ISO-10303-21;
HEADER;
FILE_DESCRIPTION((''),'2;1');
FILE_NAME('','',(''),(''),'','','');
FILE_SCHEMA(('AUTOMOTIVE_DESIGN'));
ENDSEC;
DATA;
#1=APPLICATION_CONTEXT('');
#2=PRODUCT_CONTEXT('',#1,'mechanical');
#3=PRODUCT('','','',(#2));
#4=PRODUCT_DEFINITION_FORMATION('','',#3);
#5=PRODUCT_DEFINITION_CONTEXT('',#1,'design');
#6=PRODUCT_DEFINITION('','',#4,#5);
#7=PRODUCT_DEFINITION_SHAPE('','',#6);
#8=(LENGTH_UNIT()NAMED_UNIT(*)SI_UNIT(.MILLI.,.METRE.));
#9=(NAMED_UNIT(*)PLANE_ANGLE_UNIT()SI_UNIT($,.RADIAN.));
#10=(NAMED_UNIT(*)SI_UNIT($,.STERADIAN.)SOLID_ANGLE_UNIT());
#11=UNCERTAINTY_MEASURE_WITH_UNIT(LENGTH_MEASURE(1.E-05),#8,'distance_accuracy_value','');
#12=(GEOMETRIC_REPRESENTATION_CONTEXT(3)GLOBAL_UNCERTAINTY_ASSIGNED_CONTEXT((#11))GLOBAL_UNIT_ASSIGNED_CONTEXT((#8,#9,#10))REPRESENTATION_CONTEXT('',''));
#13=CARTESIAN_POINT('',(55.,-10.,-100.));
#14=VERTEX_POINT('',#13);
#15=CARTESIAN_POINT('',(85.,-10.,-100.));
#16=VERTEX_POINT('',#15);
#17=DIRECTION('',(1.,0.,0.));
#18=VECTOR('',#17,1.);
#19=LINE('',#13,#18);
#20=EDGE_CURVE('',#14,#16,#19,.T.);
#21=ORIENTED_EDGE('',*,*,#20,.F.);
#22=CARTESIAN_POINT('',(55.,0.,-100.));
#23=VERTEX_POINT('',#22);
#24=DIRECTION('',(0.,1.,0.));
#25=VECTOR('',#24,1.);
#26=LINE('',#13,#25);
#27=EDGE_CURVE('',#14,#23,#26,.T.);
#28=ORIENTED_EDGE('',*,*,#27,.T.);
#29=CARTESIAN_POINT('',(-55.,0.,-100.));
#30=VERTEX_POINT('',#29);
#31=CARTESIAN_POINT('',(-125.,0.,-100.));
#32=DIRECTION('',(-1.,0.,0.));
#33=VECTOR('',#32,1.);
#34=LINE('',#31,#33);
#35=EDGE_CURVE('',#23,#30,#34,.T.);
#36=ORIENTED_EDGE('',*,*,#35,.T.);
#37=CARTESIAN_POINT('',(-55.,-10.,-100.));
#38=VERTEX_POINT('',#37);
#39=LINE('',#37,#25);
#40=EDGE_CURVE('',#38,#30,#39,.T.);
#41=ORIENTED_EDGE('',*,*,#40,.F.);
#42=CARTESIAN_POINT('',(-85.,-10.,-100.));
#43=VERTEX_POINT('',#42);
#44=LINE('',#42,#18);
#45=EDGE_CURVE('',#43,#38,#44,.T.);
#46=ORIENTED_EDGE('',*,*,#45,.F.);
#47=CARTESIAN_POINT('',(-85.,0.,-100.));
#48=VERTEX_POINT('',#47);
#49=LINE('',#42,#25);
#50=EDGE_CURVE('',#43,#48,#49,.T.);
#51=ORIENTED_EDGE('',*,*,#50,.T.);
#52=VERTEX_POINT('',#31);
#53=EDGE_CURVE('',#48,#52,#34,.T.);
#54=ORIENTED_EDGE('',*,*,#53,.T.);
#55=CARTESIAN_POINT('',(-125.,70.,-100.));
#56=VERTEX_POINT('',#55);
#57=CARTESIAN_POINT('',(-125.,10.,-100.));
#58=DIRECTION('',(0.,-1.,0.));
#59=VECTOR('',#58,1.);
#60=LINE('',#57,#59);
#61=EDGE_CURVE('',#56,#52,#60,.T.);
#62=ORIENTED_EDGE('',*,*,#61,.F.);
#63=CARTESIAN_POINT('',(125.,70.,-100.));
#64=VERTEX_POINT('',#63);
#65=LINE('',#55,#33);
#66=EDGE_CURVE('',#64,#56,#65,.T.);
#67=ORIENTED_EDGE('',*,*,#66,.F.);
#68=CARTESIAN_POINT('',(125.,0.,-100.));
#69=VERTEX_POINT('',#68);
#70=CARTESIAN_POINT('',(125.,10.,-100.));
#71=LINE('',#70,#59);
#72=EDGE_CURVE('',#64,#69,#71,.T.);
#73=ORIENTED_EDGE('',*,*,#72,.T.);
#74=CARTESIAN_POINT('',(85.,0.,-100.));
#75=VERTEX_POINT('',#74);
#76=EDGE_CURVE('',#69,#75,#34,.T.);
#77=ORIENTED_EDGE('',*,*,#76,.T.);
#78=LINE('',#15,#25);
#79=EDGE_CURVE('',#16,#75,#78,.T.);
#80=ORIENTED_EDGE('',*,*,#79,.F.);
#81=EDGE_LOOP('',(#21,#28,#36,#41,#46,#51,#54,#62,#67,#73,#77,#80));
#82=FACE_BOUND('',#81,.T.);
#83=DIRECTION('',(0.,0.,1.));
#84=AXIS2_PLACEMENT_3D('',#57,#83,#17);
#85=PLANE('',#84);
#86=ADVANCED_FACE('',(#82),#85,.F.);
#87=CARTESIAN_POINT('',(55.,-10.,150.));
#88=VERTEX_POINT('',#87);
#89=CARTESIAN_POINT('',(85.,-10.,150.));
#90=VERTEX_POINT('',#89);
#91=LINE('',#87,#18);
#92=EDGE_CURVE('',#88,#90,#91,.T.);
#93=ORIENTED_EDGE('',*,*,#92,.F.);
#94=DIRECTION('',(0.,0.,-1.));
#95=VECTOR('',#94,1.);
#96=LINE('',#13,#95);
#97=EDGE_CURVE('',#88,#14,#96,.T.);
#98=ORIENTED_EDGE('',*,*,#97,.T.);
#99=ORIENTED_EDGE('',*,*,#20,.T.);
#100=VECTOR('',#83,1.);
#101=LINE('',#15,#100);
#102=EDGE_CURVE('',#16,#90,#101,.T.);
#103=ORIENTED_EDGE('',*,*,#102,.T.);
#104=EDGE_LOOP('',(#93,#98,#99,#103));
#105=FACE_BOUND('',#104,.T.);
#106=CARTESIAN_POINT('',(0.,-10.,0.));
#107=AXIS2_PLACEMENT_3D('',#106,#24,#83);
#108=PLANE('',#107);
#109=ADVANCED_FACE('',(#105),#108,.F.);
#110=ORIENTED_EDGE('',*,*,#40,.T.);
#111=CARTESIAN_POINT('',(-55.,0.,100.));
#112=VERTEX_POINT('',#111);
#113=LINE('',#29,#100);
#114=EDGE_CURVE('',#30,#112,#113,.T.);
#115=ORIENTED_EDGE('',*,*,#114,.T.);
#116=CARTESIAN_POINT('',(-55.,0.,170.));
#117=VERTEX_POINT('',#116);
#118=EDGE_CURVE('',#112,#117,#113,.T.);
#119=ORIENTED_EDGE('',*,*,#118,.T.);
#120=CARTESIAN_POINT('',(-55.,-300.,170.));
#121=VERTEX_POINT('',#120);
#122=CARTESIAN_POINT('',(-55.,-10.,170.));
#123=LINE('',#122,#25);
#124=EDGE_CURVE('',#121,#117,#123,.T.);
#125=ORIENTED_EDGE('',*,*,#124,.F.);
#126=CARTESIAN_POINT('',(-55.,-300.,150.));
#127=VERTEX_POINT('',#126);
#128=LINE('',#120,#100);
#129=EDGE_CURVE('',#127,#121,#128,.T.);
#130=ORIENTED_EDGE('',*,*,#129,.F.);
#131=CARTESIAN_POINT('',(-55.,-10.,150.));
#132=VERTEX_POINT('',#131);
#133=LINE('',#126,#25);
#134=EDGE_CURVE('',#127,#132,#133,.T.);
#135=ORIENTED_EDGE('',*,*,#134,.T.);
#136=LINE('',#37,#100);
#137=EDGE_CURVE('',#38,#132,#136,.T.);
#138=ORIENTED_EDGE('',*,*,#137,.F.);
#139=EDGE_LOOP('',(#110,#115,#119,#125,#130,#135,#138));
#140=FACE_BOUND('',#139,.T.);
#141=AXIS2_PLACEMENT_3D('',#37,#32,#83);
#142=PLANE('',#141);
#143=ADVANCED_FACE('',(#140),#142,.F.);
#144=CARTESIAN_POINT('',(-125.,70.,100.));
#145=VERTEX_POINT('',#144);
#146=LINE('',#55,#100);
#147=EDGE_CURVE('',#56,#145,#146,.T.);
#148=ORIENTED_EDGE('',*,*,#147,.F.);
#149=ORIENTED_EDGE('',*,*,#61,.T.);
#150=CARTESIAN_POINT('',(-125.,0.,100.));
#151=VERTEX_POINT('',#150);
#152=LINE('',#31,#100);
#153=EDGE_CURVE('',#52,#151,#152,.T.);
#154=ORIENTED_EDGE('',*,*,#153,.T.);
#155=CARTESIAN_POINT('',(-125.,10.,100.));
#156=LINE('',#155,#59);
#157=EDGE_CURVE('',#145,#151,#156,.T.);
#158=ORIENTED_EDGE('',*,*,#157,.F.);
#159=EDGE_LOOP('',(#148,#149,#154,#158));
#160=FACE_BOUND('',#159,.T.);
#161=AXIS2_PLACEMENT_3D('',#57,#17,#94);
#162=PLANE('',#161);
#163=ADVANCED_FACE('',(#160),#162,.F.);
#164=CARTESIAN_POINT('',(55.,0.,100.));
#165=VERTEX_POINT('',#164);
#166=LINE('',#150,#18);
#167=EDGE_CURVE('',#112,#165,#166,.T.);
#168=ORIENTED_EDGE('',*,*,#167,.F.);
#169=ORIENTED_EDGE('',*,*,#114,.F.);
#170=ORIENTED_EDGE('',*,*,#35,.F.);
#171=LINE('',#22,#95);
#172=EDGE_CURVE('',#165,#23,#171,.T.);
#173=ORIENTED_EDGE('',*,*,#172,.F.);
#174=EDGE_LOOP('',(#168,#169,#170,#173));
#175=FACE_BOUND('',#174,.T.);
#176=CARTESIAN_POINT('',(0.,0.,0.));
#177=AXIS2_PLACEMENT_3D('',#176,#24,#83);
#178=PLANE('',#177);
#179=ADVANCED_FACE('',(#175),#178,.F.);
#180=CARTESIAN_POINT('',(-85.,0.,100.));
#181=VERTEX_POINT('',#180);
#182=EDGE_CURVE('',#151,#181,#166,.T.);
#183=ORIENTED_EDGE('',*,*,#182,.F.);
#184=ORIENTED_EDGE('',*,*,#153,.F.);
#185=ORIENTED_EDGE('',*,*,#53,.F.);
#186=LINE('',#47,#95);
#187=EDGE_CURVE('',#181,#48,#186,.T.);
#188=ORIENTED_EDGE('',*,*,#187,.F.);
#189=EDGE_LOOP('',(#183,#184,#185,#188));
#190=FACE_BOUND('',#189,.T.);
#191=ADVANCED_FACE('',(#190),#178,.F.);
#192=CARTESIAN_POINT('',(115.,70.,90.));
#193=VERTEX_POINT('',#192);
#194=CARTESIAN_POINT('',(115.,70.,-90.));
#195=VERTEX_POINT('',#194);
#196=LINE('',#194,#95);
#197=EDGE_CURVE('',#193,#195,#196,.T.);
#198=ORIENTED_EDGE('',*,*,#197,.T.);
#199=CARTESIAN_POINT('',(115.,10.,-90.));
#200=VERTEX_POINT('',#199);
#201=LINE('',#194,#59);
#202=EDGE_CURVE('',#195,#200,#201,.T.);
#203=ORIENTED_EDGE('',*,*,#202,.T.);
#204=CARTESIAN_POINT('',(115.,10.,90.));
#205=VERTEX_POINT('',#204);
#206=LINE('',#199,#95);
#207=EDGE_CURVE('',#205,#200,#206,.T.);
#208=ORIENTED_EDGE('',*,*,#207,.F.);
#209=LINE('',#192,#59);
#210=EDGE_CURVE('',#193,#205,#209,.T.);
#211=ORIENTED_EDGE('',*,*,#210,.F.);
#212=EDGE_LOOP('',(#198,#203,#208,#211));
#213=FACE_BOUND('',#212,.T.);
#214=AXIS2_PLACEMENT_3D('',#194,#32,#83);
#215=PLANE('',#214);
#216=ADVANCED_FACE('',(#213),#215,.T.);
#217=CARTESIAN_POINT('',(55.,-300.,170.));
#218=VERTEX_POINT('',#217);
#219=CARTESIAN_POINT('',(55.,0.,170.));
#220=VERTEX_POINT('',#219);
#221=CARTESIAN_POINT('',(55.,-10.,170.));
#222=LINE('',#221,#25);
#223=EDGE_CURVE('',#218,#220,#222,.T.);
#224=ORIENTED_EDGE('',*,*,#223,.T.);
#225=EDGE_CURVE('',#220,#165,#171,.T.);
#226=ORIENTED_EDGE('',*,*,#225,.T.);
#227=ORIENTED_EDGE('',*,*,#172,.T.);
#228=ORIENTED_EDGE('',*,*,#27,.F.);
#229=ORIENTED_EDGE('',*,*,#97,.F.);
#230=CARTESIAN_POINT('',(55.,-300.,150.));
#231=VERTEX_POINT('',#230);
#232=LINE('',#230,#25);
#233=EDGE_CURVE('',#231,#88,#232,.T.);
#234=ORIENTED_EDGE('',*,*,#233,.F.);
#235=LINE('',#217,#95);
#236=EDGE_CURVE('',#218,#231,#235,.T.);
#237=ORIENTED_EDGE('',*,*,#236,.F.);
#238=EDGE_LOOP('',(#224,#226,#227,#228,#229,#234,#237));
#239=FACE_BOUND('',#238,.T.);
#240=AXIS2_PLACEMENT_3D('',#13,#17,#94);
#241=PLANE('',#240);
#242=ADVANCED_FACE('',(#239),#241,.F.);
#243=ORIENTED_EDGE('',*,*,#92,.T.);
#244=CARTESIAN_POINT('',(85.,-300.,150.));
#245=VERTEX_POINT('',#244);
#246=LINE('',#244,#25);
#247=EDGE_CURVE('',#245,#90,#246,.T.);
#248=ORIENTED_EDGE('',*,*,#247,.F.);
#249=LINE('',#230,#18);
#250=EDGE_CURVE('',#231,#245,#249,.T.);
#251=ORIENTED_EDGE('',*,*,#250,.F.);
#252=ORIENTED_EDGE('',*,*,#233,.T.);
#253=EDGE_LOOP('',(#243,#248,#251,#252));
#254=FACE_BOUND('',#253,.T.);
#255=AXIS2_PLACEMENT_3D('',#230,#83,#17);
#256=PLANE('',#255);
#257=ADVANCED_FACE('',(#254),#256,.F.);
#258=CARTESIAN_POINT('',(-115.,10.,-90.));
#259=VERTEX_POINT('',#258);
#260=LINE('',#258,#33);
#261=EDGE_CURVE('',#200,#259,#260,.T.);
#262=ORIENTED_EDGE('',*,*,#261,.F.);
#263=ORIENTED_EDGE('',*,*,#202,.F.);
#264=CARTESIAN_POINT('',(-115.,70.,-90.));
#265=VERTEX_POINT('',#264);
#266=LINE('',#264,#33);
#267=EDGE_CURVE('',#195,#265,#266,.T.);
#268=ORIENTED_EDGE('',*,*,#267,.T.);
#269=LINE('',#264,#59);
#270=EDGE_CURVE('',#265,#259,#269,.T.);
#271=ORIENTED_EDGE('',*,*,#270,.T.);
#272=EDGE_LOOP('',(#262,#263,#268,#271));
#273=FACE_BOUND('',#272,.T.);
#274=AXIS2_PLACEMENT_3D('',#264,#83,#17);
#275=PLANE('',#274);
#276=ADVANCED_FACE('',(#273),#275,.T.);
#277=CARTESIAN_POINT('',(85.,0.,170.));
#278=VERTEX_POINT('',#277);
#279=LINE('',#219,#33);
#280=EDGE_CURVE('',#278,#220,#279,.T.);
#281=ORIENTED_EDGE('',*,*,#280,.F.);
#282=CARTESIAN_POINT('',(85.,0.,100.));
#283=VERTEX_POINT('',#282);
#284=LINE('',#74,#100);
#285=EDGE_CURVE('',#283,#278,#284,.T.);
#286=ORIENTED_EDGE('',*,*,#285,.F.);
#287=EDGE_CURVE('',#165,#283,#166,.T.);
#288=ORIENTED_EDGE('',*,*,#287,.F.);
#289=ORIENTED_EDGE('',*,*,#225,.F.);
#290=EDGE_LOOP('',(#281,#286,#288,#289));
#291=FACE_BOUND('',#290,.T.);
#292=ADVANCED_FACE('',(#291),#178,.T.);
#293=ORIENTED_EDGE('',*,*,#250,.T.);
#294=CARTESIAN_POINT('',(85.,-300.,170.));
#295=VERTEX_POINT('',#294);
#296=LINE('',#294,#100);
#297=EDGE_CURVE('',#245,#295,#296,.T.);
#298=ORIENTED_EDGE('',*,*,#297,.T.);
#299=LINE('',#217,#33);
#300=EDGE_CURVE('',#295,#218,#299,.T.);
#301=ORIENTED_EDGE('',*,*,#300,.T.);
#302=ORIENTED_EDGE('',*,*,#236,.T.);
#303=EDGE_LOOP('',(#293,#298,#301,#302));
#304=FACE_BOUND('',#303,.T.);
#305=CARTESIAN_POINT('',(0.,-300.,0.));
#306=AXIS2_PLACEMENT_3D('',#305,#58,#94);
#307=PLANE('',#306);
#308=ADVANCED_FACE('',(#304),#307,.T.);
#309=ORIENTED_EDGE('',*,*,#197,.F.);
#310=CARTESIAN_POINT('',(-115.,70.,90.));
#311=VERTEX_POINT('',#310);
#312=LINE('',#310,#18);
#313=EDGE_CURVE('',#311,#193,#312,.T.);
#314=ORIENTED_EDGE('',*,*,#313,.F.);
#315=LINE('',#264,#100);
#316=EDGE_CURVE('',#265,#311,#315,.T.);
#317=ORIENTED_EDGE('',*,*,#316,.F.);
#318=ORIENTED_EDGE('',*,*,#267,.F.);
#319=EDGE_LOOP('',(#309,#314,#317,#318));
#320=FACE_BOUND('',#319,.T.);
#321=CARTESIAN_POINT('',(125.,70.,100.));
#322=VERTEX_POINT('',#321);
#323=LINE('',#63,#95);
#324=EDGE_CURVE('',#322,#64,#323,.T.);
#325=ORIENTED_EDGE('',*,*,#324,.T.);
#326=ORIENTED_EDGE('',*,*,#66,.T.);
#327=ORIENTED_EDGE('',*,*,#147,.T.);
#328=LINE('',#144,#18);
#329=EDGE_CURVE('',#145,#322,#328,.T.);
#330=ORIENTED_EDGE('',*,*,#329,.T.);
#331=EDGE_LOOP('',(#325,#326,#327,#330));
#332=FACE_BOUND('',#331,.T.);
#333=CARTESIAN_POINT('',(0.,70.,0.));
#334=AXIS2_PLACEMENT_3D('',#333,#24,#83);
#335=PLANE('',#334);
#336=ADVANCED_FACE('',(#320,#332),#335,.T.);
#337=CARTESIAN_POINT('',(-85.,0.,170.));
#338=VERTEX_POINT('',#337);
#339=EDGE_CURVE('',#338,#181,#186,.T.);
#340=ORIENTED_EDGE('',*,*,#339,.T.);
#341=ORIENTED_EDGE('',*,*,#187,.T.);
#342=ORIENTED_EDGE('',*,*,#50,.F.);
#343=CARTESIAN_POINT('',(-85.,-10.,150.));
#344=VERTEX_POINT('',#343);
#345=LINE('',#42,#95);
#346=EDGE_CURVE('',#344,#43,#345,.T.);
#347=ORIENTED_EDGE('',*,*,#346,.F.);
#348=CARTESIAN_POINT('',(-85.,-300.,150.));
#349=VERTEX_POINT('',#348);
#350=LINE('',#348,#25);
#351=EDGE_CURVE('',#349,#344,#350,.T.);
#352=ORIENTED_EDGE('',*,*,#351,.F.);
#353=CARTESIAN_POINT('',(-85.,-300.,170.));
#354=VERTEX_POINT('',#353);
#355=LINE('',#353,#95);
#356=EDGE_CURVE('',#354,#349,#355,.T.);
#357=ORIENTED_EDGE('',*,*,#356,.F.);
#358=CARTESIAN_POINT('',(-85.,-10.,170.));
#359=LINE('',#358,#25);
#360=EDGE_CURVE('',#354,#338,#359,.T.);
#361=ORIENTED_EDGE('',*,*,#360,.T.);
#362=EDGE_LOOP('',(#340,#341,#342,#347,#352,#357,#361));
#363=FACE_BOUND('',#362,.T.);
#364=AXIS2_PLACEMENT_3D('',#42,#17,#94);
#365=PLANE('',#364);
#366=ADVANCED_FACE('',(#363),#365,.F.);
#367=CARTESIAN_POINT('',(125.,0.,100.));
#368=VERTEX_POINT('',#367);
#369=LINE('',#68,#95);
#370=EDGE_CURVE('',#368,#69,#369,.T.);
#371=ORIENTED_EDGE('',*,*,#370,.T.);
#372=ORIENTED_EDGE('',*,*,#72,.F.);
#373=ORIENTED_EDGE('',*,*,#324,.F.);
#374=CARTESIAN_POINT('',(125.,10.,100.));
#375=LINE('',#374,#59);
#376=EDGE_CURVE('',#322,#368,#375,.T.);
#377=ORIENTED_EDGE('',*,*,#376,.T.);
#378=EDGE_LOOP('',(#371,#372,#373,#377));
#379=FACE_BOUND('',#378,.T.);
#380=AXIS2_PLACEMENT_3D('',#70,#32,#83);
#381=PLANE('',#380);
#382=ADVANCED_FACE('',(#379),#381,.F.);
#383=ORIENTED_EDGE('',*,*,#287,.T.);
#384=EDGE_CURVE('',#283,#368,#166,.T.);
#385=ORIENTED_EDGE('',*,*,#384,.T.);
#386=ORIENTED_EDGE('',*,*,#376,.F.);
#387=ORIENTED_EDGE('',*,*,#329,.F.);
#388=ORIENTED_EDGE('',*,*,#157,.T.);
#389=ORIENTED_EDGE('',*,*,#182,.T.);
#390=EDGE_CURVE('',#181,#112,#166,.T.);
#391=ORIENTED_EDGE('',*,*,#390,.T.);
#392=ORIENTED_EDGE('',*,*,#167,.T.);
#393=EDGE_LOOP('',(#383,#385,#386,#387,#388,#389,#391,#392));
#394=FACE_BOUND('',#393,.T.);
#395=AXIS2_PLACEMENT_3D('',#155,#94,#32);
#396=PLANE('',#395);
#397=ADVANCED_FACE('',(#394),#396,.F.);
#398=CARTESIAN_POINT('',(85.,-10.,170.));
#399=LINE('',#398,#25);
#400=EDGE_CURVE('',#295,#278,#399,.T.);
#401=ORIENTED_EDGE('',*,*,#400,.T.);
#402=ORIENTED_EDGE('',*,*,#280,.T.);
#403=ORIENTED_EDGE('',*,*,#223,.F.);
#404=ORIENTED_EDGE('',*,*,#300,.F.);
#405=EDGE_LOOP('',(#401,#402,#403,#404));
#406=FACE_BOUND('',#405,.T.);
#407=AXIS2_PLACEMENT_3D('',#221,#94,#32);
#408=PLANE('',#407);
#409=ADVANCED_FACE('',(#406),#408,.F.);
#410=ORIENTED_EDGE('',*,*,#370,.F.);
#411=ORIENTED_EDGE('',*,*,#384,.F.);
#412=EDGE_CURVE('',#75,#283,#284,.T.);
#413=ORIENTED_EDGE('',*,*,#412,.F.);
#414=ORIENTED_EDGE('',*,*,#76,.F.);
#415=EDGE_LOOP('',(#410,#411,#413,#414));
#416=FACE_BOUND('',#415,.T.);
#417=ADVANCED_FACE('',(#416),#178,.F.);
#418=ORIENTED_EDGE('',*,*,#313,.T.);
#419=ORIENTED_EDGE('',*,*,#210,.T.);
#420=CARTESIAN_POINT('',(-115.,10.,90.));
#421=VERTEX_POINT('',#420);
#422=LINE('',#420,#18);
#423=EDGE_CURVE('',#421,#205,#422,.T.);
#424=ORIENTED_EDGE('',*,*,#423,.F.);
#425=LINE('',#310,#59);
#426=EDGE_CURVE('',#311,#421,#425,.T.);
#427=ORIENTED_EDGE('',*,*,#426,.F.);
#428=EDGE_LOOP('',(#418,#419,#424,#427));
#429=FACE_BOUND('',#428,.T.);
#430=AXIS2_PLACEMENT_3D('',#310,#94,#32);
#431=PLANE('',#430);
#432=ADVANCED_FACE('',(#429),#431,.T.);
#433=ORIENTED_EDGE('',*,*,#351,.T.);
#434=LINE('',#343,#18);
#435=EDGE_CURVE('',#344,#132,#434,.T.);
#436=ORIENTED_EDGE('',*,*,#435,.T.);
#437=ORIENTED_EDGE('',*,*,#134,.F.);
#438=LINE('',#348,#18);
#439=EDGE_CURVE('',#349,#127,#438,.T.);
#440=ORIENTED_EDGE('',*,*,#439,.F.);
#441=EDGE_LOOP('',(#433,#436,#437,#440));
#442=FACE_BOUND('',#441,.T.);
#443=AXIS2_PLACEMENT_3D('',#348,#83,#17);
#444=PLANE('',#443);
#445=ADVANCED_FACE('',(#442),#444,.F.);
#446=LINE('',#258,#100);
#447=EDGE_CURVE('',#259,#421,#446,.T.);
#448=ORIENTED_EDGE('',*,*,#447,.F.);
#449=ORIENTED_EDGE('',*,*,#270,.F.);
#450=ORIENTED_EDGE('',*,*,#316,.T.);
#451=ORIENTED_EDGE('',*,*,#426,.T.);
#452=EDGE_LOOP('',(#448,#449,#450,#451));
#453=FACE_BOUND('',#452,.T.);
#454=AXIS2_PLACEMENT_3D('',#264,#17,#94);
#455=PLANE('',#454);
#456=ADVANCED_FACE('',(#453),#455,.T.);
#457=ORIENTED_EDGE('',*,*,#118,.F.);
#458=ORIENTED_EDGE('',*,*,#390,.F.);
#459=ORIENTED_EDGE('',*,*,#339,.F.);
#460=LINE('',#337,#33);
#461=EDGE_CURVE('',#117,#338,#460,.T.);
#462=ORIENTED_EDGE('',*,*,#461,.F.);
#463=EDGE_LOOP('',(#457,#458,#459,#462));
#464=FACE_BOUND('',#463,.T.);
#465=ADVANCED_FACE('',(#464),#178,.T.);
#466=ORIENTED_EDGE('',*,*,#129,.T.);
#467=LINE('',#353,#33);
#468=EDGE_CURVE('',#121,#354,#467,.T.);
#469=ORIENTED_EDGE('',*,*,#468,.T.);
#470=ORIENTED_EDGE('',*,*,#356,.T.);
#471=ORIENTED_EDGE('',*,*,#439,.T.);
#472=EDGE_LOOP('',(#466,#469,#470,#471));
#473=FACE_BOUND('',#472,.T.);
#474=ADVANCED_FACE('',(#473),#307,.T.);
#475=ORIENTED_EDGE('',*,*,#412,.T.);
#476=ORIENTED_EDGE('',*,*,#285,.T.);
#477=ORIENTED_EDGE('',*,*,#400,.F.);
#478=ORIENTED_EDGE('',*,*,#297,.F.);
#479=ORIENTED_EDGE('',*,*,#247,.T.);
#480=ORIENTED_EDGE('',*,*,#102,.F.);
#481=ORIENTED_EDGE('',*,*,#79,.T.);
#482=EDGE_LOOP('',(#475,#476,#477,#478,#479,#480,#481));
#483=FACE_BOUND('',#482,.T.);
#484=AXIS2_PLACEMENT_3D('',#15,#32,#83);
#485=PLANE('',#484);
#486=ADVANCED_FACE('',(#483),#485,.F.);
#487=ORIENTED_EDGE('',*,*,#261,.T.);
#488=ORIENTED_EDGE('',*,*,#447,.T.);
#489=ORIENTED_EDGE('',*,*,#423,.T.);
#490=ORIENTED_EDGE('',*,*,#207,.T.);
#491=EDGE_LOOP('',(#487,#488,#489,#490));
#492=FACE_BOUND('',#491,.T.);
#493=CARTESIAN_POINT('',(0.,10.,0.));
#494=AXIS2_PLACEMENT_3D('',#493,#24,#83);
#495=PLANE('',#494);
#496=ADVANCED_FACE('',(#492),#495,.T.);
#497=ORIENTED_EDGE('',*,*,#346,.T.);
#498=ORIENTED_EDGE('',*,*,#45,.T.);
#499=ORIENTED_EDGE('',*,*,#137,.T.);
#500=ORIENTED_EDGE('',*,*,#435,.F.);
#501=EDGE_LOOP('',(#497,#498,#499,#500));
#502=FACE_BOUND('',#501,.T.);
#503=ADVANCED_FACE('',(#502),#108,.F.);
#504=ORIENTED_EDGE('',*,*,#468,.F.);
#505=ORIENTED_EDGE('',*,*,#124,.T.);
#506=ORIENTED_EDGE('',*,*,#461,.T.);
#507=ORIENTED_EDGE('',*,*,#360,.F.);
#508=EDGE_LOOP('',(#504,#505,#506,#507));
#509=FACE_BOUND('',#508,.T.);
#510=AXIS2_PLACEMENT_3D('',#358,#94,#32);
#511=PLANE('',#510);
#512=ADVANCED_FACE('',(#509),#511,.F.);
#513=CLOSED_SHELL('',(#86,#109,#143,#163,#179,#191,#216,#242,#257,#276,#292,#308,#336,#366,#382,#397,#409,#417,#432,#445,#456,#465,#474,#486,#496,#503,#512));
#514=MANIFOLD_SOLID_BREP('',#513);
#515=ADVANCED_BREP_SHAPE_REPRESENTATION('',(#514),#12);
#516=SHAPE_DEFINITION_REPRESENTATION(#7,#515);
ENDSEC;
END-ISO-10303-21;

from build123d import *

# Parameters (mm, degrees)
CROQUIS1_W              = 250
CROQUIS1_H              = 200
SALIENTE_EXTRUIR1_DEPTH = 10
CROQUIS2_W              = 250
CROQUIS2_H              = 200
CROQUIS2_W_2            = 230
CROQUIS2_H_2            = 180
SALIENTE_EXTRUIR2_DEPTH = 60
CROQUIS3_W              = 30
CROQUIS3_H              = 270
SALIENTE_EXTRUIR3_DEPTH = 10
CROQUIS4_W              = 30
CROQUIS4_H              = 20
SALIENTE_EXTRUIR4_DEPTH = 290


with BuildPart() as part:
    # Croquis1 → Saliente-Extruir1 (new body)
    with BuildSketch(Plane(origin=(0, 0, 0), x_dir=(1, 0, 0), z_dir=(0, 1, 0))):
        Rectangle(CROQUIS1_W, CROQUIS1_H)
    extrude(amount=SALIENTE_EXTRUIR1_DEPTH)

    # Croquis2 → Saliente-Extruir2 (add)
    with BuildSketch(Plane(origin=(0, 10, 0), x_dir=(1, 0, 0), z_dir=(0, 1, 0))):
        Rectangle(CROQUIS2_W, CROQUIS2_H)
        Rectangle(CROQUIS2_W_2, CROQUIS2_H_2, mode=Mode.SUBTRACT)
    extrude(amount=SALIENTE_EXTRUIR2_DEPTH)

    # Croquis3 → Saliente-Extruir3 (add)
    with BuildSketch(Plane.XZ):
        with Locations((-70, 35)):
            Rectangle(CROQUIS3_W, CROQUIS3_H)
        with Locations((70, 35)):
            Rectangle(CROQUIS3_W, CROQUIS3_H)
    extrude(amount=SALIENTE_EXTRUIR3_DEPTH)

    # Croquis4 → Saliente-Extruir4 (add)
    with BuildSketch(Plane.XZ.offset(10)):
        with Locations((-70, 160)):
            Rectangle(CROQUIS4_W, CROQUIS4_H)
        with Locations((70, 160)):
            Rectangle(CROQUIS4_W, CROQUIS4_H)
    extrude(amount=SALIENTE_EXTRUIR4_DEPTH)


solid = part.part
